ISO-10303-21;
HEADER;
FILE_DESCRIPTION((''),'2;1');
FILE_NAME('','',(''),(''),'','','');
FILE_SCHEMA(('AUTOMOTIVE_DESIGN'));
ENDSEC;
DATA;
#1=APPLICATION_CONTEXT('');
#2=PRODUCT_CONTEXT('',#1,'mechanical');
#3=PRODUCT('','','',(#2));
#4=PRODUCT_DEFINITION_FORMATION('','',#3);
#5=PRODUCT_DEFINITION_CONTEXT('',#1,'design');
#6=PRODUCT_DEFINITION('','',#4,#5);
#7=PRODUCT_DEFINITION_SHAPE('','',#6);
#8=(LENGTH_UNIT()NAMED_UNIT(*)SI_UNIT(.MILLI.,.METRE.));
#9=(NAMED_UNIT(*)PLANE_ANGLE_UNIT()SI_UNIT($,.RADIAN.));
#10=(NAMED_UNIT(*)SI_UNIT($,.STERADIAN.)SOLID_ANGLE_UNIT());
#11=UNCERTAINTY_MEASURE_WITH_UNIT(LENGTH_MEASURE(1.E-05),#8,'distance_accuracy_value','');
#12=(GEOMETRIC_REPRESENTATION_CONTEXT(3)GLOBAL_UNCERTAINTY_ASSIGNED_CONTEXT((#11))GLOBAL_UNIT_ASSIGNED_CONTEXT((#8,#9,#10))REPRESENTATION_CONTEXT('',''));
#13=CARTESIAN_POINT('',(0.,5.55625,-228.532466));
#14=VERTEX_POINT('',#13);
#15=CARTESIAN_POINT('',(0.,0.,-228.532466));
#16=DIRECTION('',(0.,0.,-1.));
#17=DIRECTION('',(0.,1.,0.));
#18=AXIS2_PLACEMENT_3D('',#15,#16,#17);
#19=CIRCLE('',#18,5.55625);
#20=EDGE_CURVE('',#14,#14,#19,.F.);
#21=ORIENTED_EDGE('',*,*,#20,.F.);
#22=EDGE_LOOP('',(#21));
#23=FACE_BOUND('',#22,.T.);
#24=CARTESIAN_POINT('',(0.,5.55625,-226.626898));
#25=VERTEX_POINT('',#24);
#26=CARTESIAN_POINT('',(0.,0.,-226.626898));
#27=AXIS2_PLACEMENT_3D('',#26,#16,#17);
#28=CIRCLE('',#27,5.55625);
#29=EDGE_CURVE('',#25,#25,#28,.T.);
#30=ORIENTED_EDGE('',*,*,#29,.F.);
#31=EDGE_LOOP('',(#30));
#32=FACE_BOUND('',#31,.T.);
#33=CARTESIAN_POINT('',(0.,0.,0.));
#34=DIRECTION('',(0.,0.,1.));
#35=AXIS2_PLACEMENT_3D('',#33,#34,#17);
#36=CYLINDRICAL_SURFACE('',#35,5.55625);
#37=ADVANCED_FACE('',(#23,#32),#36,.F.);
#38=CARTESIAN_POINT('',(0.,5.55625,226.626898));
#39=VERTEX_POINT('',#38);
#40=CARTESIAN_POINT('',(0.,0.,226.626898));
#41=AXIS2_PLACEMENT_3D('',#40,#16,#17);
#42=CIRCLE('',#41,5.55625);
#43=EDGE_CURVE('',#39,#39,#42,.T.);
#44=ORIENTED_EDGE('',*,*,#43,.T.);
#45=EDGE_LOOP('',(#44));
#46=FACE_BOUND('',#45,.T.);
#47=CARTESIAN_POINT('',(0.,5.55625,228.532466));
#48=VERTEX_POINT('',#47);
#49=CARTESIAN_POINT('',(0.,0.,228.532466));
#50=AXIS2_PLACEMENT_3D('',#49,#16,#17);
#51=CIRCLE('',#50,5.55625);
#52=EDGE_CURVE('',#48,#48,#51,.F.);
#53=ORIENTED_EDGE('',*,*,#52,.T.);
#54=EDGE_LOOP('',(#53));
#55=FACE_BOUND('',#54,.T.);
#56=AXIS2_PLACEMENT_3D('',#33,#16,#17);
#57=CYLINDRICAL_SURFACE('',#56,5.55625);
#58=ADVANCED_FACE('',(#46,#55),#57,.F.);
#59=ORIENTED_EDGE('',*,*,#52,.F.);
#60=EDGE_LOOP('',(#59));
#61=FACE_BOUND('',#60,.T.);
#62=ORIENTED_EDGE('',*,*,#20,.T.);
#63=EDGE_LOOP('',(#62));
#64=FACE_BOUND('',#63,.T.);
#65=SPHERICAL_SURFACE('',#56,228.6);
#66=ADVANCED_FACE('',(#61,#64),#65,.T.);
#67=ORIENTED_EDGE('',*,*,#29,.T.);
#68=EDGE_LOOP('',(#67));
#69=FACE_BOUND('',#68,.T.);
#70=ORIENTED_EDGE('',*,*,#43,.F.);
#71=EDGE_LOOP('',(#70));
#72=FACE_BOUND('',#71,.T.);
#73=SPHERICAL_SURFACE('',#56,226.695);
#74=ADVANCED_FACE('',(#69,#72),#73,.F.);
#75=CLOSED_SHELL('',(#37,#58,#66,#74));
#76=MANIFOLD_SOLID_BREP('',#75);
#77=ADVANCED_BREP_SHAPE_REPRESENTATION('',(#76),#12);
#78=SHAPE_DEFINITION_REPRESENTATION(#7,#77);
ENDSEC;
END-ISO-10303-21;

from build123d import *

# Parameters (mm, degrees)
REVOLVE6_ANGLE          = 180.0000000000004
CUT_EXTRUDE1_DEPTH      = 581.8775086022882
CUT_EXTRUDE1_DEPTH_BACK = 581.8775086022882
SKETCH2_R               = 5.5562499999999995


with BuildPart() as part:
    # Sketch1 → Revolve6 (revolve)
    with BuildSketch(Plane.XY):
        with BuildLine():
            Line((-228.59999999999997, 0), (-226.69500000000002, 0))
            ThreePointArc((-226.69500000000002, 0), (1.388e-14, 226.69500000000002), (226.69500000000002, 0))
            Line((226.69500000000002, 0), (228.59999999999997, 0))
            ThreePointArc((228.59999999999997, 0), (1.4e-14, 228.59999999999997), (-228.59999999999997, 0))
        make_face()
    revolve(axis=Axis((0, 0, 0), (1, 0, 0)), revolution_arc=REVOLVE6_ANGLE)

    # Sketch2 → Cut-Extrude1 (cut, two sides: drawn at the far end of the back side and taken through both)
    with BuildSketch(Plane(origin=(5.98e-15, 3.56628e-12, -253.99999999999983), x_dir=(-0.9340477296722021, -0.3571482027033107, -2.4939525698799316e-15), z_dir=(0, -6.98e-15, 1)).offset(-CUT_EXTRUDE1_DEPTH_BACK)):
        with Locations(Location((6.4581e-13, 1.67225e-12, 0), (0, 0, 249.074839669))):
            Circle(SKETCH2_R)
    extrude(amount=CUT_EXTRUDE1_DEPTH + CUT_EXTRUDE1_DEPTH_BACK, mode=Mode.SUBTRACT)

    # Mirror1: part across plane


with BuildPart() as part_1:
    add(part.part)
    add(part.part.mirror(Plane.XY))


solid = part_1.part
